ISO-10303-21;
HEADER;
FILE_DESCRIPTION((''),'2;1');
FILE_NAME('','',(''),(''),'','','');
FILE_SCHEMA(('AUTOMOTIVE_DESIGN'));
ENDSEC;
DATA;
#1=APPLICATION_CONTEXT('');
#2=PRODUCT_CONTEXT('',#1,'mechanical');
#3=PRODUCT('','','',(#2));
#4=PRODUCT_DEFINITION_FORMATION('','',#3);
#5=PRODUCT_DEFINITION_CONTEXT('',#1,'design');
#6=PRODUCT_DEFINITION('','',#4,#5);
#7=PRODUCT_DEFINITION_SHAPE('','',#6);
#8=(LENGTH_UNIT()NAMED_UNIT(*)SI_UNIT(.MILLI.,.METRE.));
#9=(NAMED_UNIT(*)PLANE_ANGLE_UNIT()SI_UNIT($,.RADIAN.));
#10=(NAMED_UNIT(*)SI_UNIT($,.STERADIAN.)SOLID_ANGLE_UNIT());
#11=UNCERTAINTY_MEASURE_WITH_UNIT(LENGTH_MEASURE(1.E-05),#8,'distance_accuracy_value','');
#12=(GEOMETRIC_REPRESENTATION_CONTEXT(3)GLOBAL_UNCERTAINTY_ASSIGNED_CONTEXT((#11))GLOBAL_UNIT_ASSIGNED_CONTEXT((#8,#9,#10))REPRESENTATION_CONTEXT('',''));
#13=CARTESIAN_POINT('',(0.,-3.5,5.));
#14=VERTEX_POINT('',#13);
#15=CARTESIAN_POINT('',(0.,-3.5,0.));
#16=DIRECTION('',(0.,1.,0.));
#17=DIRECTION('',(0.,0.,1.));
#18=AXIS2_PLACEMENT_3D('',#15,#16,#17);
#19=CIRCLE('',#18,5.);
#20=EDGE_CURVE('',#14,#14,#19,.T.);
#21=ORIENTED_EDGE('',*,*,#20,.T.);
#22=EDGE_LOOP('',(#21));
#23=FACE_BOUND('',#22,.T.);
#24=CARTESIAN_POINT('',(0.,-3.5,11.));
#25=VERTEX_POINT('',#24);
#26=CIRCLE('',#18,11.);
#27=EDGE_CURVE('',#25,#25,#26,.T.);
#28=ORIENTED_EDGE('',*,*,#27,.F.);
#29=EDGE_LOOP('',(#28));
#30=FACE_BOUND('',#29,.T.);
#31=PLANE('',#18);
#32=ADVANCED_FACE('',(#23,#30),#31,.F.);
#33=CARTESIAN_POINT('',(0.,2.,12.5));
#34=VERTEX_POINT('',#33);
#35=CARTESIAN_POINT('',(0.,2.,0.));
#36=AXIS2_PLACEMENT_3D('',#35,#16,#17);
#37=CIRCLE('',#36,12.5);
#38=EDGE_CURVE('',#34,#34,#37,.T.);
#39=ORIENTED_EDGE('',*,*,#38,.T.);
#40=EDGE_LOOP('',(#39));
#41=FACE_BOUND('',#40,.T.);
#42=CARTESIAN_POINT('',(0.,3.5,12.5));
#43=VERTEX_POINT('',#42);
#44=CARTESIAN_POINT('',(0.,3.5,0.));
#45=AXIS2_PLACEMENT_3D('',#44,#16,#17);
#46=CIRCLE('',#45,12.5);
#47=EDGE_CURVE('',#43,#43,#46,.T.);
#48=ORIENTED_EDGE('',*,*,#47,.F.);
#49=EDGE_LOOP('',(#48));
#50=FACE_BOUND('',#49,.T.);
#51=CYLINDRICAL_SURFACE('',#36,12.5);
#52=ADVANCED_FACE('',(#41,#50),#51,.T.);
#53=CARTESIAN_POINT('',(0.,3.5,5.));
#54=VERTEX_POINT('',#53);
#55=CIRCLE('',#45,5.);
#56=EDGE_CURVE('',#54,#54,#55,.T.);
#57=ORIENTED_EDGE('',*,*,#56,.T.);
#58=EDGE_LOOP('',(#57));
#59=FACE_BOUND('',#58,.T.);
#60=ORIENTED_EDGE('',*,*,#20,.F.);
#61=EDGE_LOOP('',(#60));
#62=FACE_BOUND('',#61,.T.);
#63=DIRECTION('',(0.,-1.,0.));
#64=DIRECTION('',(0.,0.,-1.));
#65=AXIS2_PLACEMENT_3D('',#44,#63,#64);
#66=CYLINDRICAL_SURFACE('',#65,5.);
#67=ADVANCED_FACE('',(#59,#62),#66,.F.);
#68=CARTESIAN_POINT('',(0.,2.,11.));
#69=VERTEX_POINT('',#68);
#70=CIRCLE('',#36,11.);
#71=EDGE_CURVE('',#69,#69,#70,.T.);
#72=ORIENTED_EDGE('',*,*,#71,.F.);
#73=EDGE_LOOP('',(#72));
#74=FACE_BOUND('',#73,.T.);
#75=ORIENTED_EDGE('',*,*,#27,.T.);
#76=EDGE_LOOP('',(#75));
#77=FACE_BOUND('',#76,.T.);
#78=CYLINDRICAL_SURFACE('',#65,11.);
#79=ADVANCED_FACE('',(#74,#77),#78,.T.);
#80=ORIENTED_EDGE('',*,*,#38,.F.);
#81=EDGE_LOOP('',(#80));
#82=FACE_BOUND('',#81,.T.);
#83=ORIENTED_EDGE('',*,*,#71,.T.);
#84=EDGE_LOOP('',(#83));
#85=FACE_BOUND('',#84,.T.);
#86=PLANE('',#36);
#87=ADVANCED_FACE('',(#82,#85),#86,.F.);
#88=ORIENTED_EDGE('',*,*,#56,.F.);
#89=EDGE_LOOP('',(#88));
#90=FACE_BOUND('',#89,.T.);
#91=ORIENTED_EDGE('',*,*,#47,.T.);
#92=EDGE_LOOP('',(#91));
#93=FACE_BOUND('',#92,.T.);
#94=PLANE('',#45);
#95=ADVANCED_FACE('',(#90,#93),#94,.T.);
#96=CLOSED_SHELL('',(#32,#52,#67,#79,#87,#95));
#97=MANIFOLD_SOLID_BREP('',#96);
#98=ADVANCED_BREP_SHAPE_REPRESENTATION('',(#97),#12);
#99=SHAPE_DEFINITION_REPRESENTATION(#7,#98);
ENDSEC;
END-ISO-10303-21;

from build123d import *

# Parameters (mm, degrees)
SKETCH1_R           = 11
SKETCH1_R_2         = 5
BOSS_EXTRUDE1_DEPTH = 3.5
SKETCH2_R           = 12.5
SKETCH2_R_2         = 11
BOSS_EXTRUDE2_DEPTH = 1.5


with BuildPart() as part:
    # Sketch1 → Boss-Extrude1 (new body, symmetric)
    with BuildSketch(Plane(origin=(0, 0, 0), x_dir=(1, 0, 0), z_dir=(0, 1, 0))):
        Circle(SKETCH1_R)
        Circle(SKETCH1_R_2, mode=Mode.SUBTRACT)
    extrude(amount=BOSS_EXTRUDE1_DEPTH, both=True)

    # Sketch2 → Boss-Extrude2 (add)
    with BuildSketch(Plane(origin=(0, 3.5, 0), x_dir=(1, 0, 0), z_dir=(0, 1, 0))):
        Circle(SKETCH2_R)
        Circle(SKETCH2_R_2, mode=Mode.SUBTRACT)
    extrude(amount=-BOSS_EXTRUDE2_DEPTH)


solid = part.part
